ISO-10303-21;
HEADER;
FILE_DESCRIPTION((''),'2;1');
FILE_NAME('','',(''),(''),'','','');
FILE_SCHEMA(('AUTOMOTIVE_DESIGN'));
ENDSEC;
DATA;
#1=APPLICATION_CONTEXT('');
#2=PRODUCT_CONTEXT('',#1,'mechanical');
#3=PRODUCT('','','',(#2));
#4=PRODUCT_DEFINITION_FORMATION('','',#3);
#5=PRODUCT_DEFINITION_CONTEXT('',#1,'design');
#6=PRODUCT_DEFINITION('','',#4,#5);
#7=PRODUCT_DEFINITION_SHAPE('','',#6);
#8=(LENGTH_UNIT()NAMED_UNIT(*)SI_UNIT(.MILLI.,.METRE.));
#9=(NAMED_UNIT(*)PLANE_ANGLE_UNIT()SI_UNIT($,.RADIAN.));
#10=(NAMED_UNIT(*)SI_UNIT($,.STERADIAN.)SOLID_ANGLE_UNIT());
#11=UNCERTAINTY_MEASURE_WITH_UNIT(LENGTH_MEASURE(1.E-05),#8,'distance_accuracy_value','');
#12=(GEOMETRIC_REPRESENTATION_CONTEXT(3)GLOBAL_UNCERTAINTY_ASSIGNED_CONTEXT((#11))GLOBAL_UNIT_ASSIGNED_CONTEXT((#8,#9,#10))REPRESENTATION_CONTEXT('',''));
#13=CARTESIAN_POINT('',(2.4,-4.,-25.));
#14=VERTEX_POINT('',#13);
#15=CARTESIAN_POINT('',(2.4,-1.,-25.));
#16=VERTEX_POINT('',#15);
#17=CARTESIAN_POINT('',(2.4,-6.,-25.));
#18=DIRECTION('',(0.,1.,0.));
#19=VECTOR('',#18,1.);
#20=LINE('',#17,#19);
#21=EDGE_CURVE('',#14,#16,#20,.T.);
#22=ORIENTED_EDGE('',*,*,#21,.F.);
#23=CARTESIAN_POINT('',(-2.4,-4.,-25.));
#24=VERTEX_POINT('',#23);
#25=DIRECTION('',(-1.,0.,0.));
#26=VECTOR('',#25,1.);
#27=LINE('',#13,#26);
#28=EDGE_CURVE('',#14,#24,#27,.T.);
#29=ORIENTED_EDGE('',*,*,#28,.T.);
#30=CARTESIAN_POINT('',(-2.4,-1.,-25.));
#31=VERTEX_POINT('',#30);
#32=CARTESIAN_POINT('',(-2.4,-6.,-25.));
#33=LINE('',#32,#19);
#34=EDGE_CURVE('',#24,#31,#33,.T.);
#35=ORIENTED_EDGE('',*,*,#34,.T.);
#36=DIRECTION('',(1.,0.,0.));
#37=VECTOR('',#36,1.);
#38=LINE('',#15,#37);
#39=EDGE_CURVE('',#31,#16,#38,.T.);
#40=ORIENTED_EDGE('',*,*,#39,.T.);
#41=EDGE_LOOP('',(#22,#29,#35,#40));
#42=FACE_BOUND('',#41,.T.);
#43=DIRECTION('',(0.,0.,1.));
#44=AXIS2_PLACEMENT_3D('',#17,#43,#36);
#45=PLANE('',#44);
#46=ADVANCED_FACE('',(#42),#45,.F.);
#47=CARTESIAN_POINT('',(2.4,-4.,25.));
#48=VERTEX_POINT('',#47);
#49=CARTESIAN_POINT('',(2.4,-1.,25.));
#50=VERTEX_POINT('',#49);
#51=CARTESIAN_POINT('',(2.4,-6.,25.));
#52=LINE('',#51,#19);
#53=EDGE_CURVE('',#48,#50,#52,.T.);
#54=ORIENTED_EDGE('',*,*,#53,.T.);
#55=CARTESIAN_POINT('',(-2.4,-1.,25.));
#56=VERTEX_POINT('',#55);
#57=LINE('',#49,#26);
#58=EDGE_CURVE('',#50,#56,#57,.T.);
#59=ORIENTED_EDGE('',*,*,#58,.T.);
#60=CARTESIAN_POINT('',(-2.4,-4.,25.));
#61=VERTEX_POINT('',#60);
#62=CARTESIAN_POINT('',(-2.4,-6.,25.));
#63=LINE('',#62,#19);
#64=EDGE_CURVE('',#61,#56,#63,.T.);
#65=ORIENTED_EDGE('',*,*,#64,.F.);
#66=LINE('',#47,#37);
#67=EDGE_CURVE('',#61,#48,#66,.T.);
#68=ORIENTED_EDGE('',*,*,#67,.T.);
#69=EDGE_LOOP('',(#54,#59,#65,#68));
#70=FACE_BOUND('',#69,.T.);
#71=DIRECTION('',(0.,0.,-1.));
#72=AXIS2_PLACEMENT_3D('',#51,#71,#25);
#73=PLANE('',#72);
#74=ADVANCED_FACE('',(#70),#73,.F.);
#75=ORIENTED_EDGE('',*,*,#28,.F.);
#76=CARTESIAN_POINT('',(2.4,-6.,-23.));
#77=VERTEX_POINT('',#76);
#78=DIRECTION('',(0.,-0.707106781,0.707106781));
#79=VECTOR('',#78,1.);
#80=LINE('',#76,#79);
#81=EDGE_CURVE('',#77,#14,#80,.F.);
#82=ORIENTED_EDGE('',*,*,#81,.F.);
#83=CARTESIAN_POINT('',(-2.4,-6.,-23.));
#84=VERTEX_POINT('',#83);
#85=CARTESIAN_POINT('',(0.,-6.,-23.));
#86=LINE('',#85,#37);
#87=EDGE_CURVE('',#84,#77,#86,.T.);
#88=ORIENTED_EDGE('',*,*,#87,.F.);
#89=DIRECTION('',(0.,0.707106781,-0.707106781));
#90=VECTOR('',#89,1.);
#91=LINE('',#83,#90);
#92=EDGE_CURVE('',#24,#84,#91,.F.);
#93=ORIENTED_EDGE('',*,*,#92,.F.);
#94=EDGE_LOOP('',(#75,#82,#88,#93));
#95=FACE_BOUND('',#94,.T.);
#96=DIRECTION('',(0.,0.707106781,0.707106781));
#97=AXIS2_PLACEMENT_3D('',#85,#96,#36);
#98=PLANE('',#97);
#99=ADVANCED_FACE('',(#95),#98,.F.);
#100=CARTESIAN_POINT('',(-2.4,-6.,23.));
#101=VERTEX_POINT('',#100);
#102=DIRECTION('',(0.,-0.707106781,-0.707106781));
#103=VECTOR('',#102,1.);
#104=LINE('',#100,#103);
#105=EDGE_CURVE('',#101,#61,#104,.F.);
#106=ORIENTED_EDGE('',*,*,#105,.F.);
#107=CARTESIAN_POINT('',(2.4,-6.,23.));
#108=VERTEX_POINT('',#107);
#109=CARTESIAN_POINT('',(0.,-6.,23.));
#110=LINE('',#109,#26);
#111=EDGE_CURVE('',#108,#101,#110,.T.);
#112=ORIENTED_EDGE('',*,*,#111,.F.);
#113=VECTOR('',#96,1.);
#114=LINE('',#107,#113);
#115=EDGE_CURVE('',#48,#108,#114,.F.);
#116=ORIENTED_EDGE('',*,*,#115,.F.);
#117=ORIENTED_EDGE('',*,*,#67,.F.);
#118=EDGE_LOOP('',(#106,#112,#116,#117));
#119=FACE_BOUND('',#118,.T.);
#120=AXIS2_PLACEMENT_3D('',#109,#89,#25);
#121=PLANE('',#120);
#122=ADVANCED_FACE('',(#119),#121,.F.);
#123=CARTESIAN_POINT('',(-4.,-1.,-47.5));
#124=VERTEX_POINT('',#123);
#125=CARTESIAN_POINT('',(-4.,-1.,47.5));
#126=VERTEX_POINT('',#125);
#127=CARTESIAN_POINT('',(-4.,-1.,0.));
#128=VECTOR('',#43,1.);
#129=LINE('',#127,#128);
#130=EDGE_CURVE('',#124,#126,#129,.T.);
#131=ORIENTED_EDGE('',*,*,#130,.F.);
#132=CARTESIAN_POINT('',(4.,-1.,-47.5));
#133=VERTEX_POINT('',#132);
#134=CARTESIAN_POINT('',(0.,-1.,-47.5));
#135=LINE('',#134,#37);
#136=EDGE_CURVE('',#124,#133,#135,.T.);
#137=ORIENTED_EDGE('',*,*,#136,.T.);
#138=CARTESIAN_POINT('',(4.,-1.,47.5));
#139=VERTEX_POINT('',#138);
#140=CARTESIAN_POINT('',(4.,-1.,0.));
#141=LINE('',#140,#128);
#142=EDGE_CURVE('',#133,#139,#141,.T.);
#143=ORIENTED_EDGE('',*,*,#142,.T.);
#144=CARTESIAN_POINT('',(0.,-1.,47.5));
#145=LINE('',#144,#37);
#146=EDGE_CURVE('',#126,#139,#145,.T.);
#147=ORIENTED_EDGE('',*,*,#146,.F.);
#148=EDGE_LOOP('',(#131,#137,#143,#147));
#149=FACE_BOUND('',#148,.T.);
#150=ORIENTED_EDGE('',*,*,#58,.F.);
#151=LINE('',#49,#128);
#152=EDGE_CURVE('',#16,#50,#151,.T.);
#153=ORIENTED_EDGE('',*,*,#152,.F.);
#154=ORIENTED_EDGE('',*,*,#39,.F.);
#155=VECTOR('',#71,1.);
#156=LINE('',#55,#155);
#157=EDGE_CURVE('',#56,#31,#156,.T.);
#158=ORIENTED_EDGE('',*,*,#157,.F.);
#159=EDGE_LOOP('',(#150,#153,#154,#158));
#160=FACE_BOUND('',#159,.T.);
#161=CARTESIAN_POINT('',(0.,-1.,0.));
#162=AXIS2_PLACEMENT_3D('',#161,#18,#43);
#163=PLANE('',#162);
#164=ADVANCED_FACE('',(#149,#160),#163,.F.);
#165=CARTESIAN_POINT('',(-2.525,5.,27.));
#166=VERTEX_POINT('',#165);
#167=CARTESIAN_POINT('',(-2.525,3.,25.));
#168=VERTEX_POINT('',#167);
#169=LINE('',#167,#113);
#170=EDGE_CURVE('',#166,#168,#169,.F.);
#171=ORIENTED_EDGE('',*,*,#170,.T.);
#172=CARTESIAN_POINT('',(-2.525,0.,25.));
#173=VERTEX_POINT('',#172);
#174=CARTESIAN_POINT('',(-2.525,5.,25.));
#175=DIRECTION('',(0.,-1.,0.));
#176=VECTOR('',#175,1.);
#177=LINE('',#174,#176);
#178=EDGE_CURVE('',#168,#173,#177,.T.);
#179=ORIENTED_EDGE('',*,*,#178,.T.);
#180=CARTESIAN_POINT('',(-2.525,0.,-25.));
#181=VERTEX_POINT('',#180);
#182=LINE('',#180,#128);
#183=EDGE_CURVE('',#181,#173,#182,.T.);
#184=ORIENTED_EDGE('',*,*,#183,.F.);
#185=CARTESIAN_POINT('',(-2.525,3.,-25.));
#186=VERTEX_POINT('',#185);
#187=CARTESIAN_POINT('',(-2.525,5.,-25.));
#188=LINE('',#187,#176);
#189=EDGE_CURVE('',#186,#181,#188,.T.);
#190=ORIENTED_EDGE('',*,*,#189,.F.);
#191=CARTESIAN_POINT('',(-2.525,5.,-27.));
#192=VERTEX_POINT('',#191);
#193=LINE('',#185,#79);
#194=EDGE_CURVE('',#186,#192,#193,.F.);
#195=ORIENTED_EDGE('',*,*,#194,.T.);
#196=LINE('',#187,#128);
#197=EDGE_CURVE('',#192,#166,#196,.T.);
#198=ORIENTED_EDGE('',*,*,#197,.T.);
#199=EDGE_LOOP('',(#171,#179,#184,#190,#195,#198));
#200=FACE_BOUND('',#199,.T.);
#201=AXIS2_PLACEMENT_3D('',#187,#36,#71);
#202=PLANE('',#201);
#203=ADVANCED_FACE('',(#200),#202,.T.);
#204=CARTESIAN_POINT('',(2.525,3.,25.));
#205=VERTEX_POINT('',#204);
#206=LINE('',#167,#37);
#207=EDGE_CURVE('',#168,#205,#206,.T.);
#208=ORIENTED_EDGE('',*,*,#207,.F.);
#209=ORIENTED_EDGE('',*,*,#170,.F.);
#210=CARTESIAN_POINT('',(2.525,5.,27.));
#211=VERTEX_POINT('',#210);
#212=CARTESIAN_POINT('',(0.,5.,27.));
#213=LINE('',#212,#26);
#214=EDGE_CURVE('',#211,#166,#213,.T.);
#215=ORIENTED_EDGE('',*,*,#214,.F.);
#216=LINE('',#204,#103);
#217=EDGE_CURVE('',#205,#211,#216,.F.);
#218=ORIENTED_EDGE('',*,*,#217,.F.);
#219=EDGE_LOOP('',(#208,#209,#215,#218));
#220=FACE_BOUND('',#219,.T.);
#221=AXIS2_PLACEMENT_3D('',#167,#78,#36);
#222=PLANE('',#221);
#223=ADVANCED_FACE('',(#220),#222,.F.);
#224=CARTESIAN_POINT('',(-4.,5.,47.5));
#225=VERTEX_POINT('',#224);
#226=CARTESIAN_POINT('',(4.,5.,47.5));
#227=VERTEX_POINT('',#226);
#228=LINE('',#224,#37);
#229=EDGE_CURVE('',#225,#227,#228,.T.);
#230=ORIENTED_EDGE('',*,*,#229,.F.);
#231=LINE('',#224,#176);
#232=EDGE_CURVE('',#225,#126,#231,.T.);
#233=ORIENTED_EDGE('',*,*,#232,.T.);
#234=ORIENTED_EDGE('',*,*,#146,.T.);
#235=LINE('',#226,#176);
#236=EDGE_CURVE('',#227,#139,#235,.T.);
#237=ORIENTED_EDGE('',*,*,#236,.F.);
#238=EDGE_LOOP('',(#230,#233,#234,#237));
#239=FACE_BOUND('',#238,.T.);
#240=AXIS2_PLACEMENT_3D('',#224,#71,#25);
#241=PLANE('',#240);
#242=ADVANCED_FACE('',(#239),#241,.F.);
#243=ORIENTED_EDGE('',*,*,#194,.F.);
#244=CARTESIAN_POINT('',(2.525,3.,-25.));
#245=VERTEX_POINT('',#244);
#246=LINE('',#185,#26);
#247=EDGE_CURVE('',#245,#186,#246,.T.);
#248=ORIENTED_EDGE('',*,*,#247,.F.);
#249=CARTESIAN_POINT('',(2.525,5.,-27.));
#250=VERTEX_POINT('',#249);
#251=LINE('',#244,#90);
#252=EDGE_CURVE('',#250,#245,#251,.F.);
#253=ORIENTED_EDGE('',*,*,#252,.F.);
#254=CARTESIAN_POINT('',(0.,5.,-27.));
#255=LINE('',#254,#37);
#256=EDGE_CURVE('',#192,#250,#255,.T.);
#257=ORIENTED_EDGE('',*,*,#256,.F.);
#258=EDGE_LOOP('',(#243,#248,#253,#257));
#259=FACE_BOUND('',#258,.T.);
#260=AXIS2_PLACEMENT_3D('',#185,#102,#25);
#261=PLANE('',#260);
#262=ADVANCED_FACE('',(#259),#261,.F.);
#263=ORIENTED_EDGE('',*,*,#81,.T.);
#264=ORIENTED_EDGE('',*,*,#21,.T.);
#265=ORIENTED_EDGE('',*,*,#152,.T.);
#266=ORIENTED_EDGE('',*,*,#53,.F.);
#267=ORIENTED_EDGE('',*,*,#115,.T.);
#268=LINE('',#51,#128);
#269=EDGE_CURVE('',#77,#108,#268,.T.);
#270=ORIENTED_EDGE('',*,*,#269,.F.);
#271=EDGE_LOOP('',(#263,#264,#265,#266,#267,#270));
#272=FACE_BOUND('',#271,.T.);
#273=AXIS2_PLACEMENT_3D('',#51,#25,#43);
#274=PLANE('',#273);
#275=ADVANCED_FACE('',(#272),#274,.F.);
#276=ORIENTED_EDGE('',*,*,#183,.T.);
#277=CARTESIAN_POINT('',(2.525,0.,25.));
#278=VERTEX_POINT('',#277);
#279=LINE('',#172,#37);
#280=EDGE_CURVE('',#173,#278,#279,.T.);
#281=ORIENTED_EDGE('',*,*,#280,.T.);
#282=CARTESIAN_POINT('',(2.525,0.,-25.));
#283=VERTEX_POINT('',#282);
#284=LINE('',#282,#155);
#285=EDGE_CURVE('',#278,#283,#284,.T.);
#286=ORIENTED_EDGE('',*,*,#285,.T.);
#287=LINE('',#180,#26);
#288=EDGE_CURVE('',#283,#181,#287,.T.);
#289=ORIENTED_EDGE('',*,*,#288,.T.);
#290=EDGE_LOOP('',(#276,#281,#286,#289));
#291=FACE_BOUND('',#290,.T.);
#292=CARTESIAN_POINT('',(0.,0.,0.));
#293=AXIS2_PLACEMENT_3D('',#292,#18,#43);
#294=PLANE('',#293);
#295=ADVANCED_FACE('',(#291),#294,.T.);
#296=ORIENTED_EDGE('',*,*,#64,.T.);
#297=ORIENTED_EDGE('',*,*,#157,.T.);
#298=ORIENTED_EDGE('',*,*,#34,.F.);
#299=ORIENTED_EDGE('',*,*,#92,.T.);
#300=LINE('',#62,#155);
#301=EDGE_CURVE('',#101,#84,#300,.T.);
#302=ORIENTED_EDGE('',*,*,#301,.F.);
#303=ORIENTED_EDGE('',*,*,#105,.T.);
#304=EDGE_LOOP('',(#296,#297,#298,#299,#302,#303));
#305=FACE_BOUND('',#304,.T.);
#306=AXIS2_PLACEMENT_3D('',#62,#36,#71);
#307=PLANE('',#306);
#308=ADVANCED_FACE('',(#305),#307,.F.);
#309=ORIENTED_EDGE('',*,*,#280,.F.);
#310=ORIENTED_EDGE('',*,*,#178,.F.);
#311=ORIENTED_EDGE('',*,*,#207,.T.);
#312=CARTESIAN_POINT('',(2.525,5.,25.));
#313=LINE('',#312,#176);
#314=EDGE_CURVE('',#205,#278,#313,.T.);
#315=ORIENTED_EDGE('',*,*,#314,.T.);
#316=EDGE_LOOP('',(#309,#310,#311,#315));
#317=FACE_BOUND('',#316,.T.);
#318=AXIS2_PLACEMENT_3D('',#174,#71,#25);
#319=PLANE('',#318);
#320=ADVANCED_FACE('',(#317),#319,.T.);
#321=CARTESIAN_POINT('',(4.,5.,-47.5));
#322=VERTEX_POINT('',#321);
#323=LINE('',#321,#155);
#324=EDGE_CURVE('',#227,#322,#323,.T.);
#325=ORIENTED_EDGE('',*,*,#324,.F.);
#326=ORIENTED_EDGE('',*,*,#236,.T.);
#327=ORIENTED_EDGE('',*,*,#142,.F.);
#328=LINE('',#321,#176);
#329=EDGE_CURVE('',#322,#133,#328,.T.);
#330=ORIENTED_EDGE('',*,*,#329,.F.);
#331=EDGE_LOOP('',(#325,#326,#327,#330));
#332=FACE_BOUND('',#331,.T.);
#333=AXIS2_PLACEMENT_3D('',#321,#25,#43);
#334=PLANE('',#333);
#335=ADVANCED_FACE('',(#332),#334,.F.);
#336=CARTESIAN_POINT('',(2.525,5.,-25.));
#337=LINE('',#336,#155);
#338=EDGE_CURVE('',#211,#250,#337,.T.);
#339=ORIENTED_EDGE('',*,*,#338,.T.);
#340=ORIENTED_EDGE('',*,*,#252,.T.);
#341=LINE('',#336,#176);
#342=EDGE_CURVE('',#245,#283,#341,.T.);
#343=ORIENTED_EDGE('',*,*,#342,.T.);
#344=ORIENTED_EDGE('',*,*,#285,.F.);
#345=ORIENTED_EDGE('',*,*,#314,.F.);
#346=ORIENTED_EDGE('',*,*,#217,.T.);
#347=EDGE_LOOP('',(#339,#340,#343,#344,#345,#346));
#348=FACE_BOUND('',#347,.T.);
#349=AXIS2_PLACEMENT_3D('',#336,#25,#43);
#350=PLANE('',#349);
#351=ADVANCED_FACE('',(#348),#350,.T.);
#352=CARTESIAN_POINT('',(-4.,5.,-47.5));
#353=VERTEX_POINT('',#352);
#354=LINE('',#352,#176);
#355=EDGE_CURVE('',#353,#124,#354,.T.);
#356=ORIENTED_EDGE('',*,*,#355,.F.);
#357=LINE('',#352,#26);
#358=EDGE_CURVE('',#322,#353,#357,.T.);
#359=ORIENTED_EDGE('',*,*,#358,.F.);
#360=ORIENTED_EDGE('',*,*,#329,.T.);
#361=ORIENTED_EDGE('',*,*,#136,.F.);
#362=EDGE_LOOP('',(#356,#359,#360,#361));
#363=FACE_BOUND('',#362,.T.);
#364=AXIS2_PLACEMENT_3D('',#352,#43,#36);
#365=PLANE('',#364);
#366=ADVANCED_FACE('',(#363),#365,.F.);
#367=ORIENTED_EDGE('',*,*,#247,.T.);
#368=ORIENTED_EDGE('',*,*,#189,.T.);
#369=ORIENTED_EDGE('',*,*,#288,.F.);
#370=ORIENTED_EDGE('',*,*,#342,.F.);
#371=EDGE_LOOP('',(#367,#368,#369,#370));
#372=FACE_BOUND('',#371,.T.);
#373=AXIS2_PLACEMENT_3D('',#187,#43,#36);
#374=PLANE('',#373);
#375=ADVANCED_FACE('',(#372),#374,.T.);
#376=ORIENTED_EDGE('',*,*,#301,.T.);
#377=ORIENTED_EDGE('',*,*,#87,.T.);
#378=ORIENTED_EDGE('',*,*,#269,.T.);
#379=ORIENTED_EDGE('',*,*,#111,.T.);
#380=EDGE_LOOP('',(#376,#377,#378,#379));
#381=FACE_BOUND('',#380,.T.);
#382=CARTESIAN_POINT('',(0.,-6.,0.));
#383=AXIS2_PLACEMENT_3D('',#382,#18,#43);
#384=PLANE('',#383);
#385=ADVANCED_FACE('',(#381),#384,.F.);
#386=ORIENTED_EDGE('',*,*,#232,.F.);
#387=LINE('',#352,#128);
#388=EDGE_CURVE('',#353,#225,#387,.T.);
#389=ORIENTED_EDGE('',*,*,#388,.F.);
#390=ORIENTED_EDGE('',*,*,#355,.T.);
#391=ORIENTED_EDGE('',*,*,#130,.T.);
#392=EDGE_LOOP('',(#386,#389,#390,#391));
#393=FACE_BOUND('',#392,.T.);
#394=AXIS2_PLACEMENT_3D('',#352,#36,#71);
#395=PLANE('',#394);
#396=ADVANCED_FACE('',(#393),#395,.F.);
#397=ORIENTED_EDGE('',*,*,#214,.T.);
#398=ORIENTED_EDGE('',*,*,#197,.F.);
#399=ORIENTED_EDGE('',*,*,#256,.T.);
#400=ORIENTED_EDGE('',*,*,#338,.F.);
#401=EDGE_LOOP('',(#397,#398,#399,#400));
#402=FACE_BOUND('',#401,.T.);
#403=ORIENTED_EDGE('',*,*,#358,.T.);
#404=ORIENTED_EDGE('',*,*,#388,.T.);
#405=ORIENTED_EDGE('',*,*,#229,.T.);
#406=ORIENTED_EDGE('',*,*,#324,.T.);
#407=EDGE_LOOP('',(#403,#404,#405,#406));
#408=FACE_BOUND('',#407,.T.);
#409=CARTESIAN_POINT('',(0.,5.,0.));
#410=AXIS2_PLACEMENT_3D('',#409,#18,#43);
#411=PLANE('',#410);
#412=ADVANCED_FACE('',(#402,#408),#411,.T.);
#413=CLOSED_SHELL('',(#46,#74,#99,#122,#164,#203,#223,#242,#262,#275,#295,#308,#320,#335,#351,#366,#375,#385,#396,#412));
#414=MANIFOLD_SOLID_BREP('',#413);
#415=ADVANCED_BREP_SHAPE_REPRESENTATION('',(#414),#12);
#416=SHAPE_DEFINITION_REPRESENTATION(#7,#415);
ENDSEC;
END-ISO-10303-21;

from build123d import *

# Parameters (mm, degrees)
SKETCH1_W           = 8
SKETCH1_H           = 95
SKETCH1_W_2         = 5.05
SKETCH1_H_2         = 50
BOSS_EXTRUDE1_DEPTH = 5
SKETCH1_2_W         = 8
SKETCH1_2_H         = 95
BOSS_EXTRUDE2_DEPTH = 1
SKETCH2_W           = 4.8
SKETCH2_H           = 50
BOSS_EXTRUDE3_DEPTH = 5
CHAMFER2_SIZE       = 2


with BuildPart() as part:
    # Sketch1 → Boss-Extrude1 (new body)
    with BuildSketch(Plane(origin=(0, 0, 0), x_dir=(1, 0, 0), z_dir=(0, 1, 0))):
        Rectangle(SKETCH1_W, SKETCH1_H)
        Rectangle(SKETCH1_W_2, SKETCH1_H_2, mode=Mode.SUBTRACT)
    extrude(amount=BOSS_EXTRUDE1_DEPTH)

    # Sketch1<2> → Boss-Extrude2 (add)
    with BuildSketch(Plane(origin=(0, 0, 0), x_dir=(1, 0, 0), z_dir=(0, 1, 0))):
        Rectangle(SKETCH1_2_W, SKETCH1_2_H)
    extrude(amount=-BOSS_EXTRUDE2_DEPTH)

    # Sketch2 → Boss-Extrude3 (add)
    with BuildSketch(Plane.XZ.offset(1)):
        Rectangle(SKETCH2_W, SKETCH2_H)
    extrude(amount=BOSS_EXTRUDE3_DEPTH)

    # Chamfer2
    chamfer2_edges = [part.edges().sort_by_distance(p)[0] for p in [
        (0, -6, -25),
        (0, -6, 25),
        (0, 5, -25),
        (0, 5, 25),
    ]]
    chamfer(chamfer2_edges, length=CHAMFER2_SIZE)


solid = part.part
